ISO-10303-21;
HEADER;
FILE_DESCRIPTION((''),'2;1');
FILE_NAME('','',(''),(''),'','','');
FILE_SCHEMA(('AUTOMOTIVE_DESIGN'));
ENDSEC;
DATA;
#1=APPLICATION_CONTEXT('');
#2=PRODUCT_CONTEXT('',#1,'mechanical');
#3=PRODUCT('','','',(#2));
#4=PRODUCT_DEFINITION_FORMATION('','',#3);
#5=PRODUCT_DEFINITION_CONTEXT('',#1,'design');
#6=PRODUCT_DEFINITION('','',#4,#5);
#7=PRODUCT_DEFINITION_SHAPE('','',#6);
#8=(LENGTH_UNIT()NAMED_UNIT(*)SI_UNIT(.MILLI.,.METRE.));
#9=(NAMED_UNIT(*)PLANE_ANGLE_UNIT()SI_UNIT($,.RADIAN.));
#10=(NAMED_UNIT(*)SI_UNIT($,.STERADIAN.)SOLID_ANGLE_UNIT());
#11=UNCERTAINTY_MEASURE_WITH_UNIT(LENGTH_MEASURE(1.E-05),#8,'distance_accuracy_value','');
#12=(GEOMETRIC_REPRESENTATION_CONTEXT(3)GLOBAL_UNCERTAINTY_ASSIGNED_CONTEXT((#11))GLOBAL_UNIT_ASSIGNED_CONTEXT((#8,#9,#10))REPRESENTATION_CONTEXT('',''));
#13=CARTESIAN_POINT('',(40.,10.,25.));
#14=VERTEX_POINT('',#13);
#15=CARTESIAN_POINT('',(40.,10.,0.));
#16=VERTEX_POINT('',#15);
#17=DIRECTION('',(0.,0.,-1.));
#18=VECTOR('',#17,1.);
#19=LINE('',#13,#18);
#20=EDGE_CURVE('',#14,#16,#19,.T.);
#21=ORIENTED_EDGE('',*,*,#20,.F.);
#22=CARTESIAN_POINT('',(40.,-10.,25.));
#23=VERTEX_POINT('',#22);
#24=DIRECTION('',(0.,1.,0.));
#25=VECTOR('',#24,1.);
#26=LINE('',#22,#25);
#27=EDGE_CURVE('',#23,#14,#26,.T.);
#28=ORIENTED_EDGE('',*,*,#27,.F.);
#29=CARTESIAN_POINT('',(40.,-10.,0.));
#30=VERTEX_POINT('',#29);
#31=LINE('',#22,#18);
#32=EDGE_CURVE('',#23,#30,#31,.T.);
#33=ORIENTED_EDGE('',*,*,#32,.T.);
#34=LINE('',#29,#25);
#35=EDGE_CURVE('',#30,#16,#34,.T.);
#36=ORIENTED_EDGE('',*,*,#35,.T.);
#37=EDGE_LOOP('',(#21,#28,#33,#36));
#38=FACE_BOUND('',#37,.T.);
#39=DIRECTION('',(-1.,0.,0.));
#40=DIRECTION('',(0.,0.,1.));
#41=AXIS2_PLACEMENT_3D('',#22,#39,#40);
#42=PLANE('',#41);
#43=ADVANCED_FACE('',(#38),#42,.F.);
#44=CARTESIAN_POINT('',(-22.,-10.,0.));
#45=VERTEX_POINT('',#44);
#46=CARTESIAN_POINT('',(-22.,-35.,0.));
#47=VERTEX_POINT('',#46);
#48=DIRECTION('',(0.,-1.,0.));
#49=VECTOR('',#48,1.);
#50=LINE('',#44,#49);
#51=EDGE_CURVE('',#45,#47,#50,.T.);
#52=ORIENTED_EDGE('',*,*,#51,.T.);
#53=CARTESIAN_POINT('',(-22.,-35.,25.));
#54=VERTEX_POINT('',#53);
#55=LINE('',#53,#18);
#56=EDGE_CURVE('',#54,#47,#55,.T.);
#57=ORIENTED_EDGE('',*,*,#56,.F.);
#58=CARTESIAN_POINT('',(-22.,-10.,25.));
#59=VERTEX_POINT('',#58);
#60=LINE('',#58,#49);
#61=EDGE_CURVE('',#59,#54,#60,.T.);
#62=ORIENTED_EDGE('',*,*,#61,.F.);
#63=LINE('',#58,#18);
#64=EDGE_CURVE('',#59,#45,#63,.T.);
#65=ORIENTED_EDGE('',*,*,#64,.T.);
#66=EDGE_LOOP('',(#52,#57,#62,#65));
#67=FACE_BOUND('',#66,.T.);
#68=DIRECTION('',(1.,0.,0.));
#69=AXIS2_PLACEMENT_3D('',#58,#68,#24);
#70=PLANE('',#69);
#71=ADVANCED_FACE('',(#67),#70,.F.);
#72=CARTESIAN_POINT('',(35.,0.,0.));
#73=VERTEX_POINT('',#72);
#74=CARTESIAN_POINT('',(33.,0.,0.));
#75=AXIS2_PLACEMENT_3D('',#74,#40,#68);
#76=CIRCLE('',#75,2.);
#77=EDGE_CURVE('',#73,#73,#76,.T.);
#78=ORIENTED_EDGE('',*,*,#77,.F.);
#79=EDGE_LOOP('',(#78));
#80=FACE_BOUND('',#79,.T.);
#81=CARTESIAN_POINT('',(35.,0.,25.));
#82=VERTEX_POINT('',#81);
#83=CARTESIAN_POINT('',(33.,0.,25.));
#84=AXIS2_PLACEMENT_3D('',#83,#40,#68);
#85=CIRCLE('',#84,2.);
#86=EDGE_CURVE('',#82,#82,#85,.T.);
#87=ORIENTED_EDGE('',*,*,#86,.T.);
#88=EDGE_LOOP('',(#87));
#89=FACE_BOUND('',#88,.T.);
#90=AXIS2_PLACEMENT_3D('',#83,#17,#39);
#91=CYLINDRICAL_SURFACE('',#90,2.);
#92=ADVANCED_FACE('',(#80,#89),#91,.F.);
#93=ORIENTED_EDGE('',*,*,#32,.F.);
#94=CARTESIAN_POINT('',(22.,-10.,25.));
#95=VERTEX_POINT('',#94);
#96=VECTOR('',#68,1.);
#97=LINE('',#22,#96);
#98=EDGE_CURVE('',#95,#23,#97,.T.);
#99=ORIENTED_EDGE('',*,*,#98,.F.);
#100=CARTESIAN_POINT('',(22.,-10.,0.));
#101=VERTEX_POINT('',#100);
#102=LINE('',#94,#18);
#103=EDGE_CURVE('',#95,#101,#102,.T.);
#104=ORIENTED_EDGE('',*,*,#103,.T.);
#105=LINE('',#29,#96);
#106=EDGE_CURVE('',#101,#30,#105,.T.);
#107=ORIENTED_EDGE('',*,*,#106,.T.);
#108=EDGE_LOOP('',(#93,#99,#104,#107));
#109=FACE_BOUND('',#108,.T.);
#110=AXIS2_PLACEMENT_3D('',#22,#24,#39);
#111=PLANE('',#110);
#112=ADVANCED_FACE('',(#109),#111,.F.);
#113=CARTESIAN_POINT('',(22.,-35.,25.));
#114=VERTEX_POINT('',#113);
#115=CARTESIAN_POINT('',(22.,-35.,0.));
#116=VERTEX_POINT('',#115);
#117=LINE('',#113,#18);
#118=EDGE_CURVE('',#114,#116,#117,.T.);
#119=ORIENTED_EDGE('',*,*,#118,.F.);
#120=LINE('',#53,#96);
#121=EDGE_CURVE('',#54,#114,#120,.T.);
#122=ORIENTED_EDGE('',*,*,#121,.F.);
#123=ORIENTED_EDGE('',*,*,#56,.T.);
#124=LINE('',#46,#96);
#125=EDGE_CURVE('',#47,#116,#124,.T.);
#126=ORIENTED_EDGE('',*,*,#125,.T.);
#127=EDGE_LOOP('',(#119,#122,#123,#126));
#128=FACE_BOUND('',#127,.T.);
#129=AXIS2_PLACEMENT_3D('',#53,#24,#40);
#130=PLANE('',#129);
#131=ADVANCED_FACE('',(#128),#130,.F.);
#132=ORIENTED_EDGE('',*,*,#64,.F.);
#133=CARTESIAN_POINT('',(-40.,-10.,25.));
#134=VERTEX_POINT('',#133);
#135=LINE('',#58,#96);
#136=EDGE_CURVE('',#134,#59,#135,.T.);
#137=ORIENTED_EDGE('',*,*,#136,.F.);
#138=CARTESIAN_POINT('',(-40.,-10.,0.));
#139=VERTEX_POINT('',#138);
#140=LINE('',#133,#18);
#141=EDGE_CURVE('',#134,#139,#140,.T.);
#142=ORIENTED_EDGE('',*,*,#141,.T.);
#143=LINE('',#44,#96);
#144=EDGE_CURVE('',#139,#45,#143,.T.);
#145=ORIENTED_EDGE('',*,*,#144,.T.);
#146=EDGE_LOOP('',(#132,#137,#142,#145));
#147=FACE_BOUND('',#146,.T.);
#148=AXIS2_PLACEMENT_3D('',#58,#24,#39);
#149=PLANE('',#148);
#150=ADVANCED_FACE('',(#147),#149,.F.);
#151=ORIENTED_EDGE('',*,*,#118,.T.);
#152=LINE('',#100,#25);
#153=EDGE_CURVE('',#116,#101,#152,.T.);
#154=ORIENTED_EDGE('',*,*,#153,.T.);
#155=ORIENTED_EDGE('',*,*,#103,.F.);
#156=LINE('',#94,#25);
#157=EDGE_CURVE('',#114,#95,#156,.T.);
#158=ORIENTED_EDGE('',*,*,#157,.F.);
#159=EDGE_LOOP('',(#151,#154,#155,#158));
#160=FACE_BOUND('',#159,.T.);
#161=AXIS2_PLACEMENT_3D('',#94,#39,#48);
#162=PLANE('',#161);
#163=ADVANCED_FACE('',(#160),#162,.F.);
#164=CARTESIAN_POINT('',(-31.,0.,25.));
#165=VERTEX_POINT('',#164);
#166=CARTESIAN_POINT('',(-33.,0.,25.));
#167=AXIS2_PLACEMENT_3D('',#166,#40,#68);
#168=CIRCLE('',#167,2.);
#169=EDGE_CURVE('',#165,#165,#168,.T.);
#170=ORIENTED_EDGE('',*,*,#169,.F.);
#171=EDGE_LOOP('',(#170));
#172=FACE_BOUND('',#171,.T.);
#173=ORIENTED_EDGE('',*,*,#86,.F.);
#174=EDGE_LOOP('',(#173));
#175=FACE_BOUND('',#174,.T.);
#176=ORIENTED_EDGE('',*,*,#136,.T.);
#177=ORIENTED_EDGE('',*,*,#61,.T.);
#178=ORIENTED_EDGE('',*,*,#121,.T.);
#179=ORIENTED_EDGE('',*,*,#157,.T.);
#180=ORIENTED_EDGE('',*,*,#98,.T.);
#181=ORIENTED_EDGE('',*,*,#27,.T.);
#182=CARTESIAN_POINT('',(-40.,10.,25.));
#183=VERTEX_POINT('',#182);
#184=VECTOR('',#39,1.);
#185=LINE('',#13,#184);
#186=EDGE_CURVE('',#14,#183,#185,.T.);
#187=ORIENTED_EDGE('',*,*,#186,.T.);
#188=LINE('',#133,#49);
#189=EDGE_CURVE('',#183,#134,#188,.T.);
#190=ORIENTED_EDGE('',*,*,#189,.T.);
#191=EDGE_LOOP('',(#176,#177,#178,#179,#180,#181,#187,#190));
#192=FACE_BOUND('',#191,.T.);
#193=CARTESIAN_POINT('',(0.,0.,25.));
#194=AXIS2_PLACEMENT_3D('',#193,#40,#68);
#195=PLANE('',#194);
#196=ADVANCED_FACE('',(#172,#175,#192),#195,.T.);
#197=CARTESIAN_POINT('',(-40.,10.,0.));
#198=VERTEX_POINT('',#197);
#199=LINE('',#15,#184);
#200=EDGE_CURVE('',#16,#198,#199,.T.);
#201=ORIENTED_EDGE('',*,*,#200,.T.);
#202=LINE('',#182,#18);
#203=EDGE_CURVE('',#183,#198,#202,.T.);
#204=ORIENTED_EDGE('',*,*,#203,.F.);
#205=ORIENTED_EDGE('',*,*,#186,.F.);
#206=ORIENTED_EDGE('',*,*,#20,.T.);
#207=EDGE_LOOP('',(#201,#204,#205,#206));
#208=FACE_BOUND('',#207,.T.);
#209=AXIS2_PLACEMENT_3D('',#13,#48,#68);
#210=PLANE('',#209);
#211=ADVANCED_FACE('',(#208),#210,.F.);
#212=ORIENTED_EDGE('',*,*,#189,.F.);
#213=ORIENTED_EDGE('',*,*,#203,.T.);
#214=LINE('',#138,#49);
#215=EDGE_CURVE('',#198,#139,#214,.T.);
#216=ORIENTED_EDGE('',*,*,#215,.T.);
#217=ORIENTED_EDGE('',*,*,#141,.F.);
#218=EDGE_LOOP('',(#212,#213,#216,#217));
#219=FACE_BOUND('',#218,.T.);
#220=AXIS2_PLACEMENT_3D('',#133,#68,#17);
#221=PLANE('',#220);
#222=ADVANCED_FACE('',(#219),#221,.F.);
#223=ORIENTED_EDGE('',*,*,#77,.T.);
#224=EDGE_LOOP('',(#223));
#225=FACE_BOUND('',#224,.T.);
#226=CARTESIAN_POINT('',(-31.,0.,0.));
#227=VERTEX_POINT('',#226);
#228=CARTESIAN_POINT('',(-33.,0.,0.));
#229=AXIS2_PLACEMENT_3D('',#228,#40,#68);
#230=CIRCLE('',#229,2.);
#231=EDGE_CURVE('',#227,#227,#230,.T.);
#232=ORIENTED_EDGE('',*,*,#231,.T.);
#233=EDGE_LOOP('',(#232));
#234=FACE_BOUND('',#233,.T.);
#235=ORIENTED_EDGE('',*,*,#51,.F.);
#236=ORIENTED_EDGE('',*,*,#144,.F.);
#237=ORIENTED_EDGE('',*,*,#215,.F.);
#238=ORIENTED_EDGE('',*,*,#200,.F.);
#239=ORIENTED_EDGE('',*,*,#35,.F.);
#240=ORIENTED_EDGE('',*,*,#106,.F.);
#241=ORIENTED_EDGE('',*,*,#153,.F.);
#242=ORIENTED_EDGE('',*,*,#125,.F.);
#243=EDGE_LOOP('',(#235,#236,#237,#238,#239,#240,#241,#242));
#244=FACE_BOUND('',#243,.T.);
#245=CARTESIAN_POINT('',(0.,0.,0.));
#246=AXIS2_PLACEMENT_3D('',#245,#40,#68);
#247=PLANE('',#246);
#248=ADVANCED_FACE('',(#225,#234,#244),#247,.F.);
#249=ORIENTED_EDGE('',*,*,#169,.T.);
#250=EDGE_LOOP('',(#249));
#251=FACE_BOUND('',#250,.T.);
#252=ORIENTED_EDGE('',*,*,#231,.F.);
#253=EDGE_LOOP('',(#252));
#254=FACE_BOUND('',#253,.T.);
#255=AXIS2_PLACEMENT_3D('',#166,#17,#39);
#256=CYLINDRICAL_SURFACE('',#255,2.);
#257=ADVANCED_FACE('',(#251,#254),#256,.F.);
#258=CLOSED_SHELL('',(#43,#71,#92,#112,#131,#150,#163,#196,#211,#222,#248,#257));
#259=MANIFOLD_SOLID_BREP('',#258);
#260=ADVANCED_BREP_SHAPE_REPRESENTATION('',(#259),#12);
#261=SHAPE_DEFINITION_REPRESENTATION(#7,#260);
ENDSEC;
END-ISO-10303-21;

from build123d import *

# Parameters (mm, degrees)
IZIM1_R                     = 2
Y_KSEKLIK_EKSTR_ZYON1_DEPTH = 25


with BuildPart() as part:
    # Çizim1 → Yükseklik-Ekstrüzyon1 (new body)
    with BuildSketch(Plane.XY):
        Polygon((-22, -10), (-40, -10), (-40, 10), (40, 10), (40, -10), (22, -10), (22, -35), (-22, -35), align=None)
        with Locations((33, 0)):
            Circle(IZIM1_R, mode=Mode.SUBTRACT)
        with Locations((-33, 0)):
            Circle(IZIM1_R, mode=Mode.SUBTRACT)
    extrude(amount=Y_KSEKLIK_EKSTR_ZYON1_DEPTH)


solid = part.part
